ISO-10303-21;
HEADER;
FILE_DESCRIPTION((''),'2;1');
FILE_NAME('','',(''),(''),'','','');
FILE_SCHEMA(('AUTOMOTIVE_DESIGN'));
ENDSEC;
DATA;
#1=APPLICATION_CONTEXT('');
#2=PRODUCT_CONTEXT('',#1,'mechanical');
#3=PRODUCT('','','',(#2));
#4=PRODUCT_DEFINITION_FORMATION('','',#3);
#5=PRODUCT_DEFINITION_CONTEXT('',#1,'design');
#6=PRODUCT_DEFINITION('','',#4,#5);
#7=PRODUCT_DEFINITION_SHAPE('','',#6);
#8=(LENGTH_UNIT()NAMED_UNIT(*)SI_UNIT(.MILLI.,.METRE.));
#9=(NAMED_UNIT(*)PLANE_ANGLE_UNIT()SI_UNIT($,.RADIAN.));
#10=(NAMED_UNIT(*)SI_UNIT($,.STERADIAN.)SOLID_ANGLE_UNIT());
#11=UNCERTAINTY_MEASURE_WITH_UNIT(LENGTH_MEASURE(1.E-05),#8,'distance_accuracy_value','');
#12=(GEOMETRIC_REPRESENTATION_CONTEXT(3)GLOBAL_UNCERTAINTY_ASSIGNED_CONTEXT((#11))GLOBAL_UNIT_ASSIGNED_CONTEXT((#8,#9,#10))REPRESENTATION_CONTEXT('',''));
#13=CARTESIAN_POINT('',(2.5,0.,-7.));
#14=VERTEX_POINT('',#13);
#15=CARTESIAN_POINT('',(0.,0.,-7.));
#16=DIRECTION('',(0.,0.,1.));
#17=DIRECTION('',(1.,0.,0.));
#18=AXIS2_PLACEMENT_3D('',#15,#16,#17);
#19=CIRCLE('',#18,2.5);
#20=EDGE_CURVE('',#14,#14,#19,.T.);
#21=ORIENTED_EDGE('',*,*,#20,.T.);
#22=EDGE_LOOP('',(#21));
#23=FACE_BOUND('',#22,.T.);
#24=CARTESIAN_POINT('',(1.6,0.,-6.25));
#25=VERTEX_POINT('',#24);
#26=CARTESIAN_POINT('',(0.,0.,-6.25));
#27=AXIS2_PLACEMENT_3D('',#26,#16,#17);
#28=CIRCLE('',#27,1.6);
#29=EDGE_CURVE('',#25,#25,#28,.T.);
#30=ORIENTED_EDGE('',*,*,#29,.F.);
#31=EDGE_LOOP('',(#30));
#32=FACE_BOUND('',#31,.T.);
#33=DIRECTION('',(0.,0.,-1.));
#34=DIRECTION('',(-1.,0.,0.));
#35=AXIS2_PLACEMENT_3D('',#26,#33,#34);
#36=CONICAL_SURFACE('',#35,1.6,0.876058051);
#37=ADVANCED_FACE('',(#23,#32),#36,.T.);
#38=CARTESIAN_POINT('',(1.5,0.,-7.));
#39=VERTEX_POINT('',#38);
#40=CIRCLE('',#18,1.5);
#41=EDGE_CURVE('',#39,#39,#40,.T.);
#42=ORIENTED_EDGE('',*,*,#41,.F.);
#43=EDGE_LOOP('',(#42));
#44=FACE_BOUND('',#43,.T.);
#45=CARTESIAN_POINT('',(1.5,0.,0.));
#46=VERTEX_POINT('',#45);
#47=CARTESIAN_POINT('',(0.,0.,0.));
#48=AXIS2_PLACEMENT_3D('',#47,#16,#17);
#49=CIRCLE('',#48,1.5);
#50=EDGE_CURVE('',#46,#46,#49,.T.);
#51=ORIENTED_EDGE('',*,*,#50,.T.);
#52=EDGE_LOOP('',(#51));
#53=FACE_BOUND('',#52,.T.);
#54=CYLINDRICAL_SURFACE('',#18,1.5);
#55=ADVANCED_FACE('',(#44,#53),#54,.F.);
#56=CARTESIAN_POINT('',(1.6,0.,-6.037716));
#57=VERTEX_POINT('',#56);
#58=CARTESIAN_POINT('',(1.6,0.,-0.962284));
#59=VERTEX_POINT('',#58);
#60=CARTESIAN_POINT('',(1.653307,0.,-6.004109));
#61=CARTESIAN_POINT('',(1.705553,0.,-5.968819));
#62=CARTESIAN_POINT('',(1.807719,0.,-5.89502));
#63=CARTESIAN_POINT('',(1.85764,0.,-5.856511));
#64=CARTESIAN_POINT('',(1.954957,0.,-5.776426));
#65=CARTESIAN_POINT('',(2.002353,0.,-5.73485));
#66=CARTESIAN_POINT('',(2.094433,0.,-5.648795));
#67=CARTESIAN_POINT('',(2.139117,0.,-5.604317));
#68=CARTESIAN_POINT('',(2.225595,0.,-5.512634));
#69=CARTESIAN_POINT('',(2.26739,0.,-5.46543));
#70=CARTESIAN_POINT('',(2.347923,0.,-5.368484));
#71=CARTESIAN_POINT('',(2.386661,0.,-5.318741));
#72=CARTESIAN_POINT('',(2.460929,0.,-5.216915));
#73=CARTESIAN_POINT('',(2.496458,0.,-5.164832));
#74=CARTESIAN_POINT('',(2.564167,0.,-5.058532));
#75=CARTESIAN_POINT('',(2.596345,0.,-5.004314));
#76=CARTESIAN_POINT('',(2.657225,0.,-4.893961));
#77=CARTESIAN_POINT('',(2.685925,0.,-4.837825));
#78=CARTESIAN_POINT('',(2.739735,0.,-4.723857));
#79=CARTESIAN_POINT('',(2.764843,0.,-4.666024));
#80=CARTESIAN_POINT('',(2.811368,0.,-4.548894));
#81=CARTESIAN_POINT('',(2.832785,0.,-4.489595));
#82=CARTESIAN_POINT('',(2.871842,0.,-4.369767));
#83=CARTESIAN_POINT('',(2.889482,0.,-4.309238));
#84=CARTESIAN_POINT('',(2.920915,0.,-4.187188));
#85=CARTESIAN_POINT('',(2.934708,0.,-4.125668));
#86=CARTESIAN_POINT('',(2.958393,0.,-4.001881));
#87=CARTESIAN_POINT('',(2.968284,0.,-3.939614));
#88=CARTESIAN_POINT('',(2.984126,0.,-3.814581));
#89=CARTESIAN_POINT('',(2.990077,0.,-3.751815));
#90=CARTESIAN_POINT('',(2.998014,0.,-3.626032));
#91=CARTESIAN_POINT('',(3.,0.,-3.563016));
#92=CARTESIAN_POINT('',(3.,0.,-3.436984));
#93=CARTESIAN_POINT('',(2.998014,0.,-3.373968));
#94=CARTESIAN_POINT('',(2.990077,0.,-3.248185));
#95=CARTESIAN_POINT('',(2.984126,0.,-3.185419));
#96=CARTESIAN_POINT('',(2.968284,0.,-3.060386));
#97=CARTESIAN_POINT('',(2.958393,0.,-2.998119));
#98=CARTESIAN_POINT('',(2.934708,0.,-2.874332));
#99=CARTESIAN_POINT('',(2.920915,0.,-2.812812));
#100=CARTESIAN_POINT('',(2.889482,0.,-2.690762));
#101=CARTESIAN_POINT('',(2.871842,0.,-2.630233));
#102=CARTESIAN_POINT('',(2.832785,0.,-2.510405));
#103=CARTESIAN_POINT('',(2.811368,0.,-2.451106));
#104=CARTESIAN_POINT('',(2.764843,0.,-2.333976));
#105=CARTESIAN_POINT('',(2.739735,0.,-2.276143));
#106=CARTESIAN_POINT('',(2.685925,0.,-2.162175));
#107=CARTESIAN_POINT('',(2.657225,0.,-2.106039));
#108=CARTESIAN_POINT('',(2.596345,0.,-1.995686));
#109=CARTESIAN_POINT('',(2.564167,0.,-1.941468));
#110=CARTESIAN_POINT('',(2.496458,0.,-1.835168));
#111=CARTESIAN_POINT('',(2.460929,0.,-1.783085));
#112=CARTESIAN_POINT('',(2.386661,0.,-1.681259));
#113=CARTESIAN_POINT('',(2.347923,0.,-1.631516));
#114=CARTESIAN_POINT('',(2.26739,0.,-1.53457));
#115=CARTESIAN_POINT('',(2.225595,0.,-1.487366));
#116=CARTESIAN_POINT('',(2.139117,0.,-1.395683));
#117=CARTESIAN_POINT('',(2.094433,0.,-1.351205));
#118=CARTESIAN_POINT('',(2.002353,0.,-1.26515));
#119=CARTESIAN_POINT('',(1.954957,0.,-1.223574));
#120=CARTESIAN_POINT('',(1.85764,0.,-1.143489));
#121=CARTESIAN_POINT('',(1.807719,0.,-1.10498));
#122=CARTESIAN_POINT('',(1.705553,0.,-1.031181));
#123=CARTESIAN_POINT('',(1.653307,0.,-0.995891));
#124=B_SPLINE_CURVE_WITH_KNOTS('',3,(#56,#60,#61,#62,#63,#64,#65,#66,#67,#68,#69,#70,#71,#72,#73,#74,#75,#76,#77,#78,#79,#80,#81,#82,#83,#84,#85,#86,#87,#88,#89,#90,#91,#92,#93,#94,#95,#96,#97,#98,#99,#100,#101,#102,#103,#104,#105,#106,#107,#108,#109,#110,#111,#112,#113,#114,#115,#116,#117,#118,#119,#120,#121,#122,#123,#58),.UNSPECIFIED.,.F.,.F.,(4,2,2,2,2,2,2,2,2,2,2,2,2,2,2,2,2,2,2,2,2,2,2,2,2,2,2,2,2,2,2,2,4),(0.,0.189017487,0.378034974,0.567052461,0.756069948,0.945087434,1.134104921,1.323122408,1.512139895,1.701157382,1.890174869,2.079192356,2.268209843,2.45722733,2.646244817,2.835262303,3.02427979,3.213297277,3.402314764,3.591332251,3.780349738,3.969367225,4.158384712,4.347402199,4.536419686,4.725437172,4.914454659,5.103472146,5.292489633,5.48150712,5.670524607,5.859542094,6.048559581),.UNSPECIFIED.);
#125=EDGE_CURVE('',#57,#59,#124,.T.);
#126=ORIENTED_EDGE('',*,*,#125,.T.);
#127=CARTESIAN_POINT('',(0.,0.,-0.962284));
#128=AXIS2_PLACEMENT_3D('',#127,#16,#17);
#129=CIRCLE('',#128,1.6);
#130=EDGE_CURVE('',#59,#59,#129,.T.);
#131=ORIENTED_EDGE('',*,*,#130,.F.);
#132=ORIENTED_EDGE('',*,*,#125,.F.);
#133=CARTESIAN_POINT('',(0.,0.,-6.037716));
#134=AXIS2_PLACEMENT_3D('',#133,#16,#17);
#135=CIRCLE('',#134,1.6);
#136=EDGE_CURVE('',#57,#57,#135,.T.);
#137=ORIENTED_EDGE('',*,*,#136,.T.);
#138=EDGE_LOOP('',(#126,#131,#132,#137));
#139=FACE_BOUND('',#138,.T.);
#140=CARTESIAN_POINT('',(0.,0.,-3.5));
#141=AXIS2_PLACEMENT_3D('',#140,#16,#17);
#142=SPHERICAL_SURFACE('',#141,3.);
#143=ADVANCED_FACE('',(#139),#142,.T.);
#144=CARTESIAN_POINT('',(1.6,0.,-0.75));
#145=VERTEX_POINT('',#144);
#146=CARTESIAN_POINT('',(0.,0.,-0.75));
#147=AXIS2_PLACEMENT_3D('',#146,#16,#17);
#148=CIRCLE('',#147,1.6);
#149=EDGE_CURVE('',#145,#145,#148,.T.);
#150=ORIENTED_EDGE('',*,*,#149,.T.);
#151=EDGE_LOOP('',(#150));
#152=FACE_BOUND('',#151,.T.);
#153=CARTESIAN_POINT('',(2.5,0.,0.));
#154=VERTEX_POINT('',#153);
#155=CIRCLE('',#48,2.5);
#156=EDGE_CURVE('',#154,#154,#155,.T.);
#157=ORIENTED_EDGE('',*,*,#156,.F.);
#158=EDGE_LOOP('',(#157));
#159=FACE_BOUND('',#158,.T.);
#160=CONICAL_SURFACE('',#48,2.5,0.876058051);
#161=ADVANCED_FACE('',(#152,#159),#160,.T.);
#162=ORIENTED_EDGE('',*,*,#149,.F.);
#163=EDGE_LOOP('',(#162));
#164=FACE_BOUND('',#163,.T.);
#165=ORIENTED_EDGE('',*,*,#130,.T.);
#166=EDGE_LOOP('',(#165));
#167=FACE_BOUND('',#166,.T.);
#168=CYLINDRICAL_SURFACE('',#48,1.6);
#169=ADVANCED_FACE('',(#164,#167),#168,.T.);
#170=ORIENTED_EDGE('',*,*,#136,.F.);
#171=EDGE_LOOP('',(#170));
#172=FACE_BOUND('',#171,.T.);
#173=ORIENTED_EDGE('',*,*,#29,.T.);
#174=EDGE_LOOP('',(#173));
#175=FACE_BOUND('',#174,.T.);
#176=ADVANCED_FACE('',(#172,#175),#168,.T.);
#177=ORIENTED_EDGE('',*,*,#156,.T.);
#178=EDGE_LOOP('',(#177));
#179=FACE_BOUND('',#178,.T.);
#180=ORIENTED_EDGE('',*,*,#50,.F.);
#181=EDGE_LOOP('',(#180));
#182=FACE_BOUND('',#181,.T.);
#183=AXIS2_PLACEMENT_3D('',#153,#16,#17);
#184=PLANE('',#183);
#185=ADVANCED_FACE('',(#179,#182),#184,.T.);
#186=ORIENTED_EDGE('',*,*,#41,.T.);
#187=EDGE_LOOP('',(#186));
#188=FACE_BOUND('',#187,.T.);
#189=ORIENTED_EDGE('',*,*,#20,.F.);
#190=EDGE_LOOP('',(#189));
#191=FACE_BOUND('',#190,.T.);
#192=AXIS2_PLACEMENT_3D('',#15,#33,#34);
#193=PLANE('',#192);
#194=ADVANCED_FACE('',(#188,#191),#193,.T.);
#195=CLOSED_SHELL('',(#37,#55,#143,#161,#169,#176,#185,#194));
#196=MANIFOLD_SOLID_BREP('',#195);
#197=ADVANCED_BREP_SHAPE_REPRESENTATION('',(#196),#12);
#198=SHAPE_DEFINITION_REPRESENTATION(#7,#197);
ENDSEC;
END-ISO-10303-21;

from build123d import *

# Parameters (mm, degrees)
SKETCH2_R          = 1.5
CUT_EXTRUDE1_DEPTH = 9.185352772


with BuildPart() as part:
    # Sketch1 → Revolve1 (revolve)
    with BuildSketch(Plane(origin=(0, 0, 0), x_dir=(1, 0, 0), z_dir=(0, 1, 0))):
        with BuildLine():
            Line((0, 0), (0, 7))
            Line((0, 7), (2.5, 7))
            Line((2.5, 7), (1.6, 6.25))
            Line((1.6, 6.25), (1.6, 6.037715508))
            ThreePointArc((1.6, 6.037715508), (3, 3.5), (1.6, 0.962284492))
            Line((1.6, 0.962284492), (1.6, 0.75))
            Line((1.6, 0.75), (2.5, 0))
            Line((2.5, 0), (0, 0))
        make_face()
    revolve(axis=Axis((0, 0, 0), (0, 0, -1)))

    # Sketch2 → Cut-Extrude1 (cut, through all)
    with BuildSketch(Plane.XY):
        Circle(SKETCH2_R)
    extrude(amount=-CUT_EXTRUDE1_DEPTH, mode=Mode.SUBTRACT)


solid = part.part
